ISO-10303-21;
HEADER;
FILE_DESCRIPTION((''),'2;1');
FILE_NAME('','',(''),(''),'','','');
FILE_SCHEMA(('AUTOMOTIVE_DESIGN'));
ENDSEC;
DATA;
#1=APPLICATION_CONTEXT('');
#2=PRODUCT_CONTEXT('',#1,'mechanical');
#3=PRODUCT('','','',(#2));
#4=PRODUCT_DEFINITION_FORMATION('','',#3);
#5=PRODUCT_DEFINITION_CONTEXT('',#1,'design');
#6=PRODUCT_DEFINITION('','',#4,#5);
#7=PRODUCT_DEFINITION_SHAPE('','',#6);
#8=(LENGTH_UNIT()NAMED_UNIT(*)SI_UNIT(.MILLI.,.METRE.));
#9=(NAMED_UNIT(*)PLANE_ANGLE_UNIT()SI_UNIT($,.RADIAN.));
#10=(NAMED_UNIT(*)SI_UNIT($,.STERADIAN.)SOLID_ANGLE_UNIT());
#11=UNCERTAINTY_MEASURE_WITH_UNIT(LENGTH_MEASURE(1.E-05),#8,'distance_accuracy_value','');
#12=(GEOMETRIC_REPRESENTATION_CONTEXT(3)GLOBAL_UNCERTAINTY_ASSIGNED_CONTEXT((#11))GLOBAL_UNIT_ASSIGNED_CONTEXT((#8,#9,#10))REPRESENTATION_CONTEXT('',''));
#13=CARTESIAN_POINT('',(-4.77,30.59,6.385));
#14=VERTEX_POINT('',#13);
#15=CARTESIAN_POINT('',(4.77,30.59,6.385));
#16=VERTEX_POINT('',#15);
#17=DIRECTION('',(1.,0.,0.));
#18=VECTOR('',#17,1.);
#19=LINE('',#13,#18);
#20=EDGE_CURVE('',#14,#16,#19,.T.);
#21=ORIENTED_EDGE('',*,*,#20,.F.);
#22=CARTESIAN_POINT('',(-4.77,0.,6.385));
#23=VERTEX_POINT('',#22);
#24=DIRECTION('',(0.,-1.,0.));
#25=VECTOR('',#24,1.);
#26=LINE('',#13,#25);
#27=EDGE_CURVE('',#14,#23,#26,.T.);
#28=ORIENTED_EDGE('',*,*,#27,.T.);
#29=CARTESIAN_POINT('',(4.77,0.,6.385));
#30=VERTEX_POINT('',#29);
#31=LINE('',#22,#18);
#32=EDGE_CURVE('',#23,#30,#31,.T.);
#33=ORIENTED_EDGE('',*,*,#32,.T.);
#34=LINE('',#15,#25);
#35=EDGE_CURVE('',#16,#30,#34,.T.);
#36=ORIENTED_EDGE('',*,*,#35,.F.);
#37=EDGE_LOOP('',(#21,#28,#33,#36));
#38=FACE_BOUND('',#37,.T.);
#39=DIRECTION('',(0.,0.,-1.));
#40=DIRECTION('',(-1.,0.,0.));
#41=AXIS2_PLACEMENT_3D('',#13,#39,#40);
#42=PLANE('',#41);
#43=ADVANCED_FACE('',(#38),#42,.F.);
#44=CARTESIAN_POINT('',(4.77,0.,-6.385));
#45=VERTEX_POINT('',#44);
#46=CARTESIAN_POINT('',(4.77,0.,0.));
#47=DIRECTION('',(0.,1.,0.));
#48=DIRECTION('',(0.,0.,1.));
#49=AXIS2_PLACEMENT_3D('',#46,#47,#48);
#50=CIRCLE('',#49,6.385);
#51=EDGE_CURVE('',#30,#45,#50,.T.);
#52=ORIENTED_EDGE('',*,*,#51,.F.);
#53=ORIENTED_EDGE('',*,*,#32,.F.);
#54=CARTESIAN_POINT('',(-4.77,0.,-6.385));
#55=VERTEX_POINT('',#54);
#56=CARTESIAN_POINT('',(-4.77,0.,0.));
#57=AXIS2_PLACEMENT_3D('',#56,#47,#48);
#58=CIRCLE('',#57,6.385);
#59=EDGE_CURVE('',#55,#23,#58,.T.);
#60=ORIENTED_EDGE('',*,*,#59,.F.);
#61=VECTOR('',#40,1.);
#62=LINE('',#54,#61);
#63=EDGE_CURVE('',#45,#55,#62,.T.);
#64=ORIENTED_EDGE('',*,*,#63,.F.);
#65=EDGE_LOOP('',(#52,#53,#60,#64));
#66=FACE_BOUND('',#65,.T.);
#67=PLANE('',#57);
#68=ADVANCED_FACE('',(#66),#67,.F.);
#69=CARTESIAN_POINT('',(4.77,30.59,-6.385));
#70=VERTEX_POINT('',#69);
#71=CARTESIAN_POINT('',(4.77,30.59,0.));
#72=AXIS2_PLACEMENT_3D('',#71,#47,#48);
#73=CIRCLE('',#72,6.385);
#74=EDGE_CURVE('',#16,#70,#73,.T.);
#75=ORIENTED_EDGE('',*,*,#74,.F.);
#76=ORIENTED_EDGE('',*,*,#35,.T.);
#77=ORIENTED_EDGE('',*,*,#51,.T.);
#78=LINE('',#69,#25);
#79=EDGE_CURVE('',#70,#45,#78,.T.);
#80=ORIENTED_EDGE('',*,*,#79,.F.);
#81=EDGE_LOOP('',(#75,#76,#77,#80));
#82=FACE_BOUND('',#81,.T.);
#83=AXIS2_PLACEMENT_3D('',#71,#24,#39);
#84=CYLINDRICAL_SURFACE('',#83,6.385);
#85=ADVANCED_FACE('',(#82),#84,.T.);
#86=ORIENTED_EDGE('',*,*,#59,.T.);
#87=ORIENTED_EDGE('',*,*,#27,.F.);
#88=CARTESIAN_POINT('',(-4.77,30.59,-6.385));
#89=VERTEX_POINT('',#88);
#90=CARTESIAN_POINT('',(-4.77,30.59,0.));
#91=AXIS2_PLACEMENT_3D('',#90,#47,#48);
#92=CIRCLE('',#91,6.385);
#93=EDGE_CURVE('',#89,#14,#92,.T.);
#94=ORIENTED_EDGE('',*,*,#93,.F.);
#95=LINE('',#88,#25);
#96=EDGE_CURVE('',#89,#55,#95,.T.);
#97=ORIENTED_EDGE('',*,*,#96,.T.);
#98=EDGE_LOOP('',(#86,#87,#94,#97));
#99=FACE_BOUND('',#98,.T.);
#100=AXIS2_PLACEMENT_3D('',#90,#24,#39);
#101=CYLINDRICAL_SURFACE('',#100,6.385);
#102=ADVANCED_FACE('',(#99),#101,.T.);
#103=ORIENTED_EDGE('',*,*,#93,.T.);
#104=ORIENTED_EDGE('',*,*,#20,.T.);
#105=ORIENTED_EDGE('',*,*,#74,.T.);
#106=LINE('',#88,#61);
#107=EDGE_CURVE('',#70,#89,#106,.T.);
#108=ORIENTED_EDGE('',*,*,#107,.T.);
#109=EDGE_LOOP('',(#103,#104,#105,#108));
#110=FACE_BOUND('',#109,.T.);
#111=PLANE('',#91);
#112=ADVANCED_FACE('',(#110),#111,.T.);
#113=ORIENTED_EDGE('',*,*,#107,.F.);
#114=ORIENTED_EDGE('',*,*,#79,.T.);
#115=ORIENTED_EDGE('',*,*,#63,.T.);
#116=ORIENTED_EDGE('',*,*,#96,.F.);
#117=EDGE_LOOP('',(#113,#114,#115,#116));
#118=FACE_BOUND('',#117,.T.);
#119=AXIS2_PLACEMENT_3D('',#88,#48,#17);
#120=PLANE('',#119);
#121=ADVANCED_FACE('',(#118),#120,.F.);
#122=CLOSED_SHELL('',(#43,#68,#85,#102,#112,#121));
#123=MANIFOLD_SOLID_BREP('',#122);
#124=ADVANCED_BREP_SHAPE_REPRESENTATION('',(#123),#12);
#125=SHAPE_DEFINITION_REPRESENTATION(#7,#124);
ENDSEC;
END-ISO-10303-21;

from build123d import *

# Parameters (mm, degrees)
BOSS_EXTRUDE1_DEPTH = 30.59


with BuildPart() as part:
    # Sketch1 → Boss-Extrude1 (new body)
    with BuildSketch(Plane(origin=(0, 0, 0), x_dir=(1, 0, 0), z_dir=(0, 1, 0))):
        with BuildLine():
            Line((-4.77, 6.385), (4.77, 6.385))
            ThreePointArc((4.77, 6.385), (11.155, 0), (4.77, -6.385))
            Line((4.77, -6.385), (-4.77, -6.385))
            ThreePointArc((-4.77, -6.385), (-11.155, 0), (-4.77, 6.385))
        make_face()
    extrude(amount=BOSS_EXTRUDE1_DEPTH)


solid = part.part
